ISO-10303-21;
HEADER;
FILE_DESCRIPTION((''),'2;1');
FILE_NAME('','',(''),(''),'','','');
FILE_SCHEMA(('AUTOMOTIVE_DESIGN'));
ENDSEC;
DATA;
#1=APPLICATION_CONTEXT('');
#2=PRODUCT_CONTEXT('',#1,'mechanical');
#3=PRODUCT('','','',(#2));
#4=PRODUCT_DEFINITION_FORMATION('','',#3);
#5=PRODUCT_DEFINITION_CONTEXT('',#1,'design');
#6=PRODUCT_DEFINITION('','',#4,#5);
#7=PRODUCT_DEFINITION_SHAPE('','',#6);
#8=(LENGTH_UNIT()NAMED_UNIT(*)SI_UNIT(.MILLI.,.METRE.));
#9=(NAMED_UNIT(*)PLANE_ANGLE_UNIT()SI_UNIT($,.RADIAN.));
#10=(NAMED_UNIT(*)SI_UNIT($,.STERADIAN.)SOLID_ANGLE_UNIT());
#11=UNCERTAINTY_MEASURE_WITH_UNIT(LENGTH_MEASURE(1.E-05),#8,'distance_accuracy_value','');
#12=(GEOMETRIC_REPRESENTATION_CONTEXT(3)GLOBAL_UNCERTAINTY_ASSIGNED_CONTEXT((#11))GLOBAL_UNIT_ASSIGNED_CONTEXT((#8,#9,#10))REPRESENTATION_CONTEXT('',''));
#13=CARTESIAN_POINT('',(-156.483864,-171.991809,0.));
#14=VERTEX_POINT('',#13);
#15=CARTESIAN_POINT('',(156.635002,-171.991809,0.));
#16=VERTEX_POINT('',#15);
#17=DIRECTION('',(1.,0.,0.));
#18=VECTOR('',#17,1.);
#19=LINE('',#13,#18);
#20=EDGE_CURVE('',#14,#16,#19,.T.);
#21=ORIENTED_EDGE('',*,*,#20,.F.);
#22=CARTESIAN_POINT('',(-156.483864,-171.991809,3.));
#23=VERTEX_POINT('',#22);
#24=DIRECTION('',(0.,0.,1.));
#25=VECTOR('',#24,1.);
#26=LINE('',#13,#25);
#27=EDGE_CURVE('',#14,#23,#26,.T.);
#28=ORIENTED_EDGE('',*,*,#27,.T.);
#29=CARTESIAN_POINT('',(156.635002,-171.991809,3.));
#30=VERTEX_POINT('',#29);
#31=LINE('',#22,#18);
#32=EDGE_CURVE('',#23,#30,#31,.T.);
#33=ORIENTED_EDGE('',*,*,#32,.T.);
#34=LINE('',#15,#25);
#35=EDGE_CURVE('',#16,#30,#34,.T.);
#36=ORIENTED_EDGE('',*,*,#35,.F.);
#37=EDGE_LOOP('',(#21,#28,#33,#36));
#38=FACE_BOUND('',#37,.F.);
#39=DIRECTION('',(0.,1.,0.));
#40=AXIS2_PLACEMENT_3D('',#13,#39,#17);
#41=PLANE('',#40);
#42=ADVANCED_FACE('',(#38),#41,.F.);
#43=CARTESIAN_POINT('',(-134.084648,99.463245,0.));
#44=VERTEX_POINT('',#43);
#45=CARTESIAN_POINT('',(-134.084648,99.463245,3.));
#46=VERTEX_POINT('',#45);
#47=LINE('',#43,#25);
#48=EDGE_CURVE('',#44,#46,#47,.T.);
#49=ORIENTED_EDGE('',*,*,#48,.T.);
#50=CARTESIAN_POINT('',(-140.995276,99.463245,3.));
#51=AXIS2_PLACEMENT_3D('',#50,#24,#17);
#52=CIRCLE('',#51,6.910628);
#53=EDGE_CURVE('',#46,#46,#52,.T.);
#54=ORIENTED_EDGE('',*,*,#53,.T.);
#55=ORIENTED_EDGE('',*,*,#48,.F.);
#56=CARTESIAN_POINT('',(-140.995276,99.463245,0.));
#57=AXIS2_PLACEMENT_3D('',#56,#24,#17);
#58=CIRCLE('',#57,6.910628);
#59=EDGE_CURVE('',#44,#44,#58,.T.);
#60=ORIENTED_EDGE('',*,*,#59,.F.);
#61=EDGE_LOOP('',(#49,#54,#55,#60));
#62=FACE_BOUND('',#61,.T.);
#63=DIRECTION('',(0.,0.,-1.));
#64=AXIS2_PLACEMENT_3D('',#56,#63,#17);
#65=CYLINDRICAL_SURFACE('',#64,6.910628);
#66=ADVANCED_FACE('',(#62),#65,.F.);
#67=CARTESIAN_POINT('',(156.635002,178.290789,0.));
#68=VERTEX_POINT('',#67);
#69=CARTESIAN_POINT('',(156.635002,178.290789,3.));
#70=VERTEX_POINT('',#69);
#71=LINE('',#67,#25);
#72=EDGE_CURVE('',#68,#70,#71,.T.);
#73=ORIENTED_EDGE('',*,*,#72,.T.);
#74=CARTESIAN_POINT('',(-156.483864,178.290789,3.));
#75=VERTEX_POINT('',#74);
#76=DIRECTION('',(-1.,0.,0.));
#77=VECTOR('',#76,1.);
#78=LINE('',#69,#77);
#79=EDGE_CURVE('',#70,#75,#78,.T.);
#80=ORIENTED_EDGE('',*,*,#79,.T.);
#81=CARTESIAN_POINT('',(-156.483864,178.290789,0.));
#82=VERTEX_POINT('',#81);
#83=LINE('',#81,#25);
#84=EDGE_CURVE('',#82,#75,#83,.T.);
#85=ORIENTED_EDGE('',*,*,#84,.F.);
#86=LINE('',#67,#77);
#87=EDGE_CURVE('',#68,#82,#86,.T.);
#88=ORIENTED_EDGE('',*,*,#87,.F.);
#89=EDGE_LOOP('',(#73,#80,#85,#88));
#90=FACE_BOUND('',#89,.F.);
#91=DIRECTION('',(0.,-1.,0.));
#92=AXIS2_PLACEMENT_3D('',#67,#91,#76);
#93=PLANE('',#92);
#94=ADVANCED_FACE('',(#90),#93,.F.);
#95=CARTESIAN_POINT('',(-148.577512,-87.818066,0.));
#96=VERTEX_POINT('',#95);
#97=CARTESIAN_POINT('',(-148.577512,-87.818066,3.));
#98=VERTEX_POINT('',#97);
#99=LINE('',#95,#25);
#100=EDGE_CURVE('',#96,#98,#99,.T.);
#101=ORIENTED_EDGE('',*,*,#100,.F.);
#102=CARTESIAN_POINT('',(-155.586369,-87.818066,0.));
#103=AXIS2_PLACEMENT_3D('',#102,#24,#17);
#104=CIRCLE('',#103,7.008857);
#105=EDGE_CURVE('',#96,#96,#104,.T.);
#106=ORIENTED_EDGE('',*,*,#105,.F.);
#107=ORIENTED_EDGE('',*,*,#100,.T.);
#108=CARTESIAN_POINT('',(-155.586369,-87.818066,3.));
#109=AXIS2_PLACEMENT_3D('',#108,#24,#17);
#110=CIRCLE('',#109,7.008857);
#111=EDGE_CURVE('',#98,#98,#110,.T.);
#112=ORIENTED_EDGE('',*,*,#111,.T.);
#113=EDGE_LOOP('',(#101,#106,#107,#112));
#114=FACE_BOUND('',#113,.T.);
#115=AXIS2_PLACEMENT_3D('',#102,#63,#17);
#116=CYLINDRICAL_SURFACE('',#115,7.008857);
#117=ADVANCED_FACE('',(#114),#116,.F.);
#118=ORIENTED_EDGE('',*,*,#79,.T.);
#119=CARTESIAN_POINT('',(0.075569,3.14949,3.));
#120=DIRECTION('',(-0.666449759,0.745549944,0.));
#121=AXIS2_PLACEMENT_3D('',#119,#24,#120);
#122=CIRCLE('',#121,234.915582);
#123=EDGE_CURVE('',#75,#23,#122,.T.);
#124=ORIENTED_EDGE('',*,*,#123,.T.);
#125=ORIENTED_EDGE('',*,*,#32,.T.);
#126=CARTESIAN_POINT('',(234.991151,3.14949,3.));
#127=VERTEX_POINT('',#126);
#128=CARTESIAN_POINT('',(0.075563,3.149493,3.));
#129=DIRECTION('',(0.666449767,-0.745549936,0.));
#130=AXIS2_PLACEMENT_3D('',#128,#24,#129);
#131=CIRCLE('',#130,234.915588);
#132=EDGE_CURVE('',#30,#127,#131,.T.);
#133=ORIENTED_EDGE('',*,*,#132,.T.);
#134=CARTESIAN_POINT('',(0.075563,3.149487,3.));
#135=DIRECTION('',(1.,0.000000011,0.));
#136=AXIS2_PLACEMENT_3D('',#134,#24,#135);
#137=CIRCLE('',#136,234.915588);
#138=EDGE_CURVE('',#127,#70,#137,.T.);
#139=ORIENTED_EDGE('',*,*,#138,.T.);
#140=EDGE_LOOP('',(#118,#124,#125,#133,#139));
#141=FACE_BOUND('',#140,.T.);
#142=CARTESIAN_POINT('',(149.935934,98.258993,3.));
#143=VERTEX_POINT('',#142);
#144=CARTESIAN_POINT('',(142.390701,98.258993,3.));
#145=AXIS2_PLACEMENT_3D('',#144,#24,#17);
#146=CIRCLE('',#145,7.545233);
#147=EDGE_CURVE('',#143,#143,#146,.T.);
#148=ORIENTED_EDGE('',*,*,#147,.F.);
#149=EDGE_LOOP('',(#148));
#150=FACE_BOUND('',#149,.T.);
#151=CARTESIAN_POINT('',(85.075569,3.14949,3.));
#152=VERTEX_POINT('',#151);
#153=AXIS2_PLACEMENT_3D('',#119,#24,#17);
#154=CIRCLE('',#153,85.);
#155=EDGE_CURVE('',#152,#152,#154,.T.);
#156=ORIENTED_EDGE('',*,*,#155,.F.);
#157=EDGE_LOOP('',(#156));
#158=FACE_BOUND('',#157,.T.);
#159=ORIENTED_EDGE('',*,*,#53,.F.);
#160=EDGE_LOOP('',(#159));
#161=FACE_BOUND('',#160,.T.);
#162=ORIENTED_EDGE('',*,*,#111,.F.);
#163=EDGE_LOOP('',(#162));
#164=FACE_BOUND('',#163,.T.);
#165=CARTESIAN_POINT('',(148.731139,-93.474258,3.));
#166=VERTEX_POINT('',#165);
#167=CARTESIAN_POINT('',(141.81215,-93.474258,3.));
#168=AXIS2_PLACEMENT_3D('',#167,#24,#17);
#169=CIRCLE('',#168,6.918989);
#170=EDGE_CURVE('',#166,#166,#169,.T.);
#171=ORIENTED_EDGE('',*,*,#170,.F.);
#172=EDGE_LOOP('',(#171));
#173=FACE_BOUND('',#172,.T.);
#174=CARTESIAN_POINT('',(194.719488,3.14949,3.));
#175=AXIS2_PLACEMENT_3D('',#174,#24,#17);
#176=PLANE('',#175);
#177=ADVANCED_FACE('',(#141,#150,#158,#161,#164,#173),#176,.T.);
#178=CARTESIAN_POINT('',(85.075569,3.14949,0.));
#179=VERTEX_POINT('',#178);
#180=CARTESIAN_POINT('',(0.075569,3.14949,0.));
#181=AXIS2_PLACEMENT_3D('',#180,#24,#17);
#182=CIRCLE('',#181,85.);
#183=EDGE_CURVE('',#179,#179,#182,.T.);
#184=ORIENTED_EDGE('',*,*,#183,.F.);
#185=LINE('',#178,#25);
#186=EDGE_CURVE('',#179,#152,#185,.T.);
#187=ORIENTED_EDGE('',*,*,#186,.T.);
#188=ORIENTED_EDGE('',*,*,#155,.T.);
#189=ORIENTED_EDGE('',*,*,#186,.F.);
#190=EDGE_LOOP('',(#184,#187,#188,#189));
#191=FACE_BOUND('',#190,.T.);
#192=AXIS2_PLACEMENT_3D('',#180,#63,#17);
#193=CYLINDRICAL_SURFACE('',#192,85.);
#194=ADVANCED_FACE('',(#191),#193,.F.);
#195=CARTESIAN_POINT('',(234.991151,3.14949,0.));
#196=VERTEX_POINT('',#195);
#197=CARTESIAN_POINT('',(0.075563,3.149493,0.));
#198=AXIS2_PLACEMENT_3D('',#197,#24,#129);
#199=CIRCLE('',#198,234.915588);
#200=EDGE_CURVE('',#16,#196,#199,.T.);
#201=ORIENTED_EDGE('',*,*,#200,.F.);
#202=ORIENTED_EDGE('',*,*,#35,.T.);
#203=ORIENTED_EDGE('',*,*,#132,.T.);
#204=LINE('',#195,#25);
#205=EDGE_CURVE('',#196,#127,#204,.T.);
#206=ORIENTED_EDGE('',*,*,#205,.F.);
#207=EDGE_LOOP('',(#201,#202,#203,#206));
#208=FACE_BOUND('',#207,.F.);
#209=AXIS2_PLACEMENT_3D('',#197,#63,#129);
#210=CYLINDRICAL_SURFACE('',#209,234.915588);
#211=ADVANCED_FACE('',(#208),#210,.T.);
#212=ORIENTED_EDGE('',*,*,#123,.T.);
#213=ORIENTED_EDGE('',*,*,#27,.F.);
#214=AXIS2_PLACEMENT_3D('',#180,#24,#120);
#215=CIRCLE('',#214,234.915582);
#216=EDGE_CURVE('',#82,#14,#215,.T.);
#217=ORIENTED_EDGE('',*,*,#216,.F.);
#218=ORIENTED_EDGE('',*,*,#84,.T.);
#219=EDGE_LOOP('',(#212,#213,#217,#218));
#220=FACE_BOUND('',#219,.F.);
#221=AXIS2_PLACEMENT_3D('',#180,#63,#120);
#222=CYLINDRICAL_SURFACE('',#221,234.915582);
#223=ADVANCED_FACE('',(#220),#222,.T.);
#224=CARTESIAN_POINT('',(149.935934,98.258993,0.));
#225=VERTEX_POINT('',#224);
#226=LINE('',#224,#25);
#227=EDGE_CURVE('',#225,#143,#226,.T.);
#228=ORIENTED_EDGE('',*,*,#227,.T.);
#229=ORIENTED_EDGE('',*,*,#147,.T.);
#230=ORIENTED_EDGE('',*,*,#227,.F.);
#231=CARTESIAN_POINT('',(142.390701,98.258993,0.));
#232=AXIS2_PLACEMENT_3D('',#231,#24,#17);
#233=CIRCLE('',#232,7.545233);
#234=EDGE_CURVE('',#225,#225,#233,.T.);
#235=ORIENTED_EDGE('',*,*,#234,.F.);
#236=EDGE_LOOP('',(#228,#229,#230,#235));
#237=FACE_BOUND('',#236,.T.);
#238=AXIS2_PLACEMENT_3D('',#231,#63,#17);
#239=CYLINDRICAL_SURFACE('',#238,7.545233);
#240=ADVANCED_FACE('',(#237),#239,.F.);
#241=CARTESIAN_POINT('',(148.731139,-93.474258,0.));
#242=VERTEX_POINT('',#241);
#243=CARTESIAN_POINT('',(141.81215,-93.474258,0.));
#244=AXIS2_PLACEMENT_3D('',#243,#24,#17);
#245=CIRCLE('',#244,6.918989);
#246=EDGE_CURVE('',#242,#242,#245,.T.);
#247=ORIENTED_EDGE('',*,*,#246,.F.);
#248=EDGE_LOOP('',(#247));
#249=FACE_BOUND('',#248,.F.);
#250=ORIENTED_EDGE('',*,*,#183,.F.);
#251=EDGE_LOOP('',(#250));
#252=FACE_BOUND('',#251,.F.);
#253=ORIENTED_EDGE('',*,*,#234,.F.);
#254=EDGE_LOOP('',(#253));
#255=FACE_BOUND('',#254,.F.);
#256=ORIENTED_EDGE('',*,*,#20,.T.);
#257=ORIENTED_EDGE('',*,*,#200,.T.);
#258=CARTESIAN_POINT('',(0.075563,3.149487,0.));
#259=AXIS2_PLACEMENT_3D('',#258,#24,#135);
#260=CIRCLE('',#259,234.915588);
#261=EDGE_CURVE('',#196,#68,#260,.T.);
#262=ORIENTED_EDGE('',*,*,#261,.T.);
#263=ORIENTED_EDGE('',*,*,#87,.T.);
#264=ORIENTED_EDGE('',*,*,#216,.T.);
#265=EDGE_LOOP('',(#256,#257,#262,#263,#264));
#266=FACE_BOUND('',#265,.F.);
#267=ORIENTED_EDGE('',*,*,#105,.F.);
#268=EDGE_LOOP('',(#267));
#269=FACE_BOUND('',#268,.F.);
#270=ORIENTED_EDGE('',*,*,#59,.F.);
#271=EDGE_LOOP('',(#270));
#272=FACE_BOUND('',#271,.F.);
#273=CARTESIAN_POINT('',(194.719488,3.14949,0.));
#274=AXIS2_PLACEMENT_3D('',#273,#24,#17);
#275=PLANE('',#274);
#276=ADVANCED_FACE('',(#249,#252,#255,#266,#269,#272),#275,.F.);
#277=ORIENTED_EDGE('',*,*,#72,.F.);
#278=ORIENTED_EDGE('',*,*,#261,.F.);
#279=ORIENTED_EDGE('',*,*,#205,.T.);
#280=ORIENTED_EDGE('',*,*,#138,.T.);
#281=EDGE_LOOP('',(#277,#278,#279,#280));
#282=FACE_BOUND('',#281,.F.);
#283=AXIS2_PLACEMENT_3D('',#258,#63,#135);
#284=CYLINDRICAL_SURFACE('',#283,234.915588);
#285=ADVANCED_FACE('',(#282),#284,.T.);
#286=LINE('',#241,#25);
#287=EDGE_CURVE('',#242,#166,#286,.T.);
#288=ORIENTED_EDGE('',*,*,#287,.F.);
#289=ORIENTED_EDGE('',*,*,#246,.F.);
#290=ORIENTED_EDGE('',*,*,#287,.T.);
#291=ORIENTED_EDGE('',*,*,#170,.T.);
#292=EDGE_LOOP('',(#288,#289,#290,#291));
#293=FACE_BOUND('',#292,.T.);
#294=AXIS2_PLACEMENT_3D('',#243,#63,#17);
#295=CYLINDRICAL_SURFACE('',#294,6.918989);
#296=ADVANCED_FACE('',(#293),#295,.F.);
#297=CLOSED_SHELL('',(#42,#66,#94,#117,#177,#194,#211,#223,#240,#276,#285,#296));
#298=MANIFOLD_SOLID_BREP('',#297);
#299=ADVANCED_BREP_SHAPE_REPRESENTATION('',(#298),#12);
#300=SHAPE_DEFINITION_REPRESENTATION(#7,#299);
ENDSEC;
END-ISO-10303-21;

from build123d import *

# Parameters (mm, degrees)
F1_R     = 7.008857
F1_R_2   = 6.918989
F1_R_3   = 6.910628
F1_R_4   = 85
F1_R_5   = 7.545233
F2_DEPTH = 3


with BuildPart() as f2:
    # F1 (on Top) → F2 (new body)
    with BuildSketch(Plane.XY):
        with BuildLine():
            ThreePointArc((133.07327, 178.290789), (197.066851, 100.910925), (219.991151, 3.14949))
            ThreePointArc((219.991151, 3.14949), (197.066851, -94.611945), (133.07327, -171.991809))
            Line((133.07327, -171.991809), (156.635002, -171.991809))
            ThreePointArc((156.635002, -171.991809), (214.509219, -92.785593), (234.991151, 3.14949))
            ThreePointArc((234.991151, 3.14949), (214.509219, 99.084573), (156.635002, 178.290789))
            Line((156.635002, 178.290789), (133.07327, 178.290789))
        make_face()
        with BuildLine():
            ThreePointArc((-132.922132, -171.991809), (-219.840013, 3.14949), (-132.922132, 178.290789))
            Line((-132.922132, 178.290789), (-156.483864, 178.290789))
            ThreePointArc((-156.483864, 178.290789), (-234.840013, 3.14949), (-156.483864, -171.991809))
            Line((-156.483864, -171.991809), (-132.922132, -171.991809))
        make_face()
        with BuildLine():
            ThreePointArc((133.07327, -171.991809), (197.066851, -94.611945), (219.991151, 3.14949))
            ThreePointArc((219.991151, 3.14949), (197.066851, 100.910925), (133.07327, 178.290789))
            Line((133.07327, 178.290789), (-132.922132, 178.290789))
            ThreePointArc((-132.922132, 178.290789), (-219.840013, 3.14949), (-132.922132, -171.991809))
            Line((-132.922132, -171.991809), (133.07327, -171.991809))
        make_face()
        with Locations((-155.586369, -87.818066)):
            Circle(F1_R, mode=Mode.SUBTRACT)
        with Locations((141.81215, -93.474258)):
            Circle(F1_R_2, mode=Mode.SUBTRACT)
        with Locations((-140.995276, 99.463245)):
            Circle(F1_R_3, mode=Mode.SUBTRACT)
        with Locations((0.075569, 3.14949)):
            Circle(F1_R_4, mode=Mode.SUBTRACT)
        with Locations((142.390701, 98.258993)):
            Circle(F1_R_5, mode=Mode.SUBTRACT)
    extrude(amount=F2_DEPTH)


solid = f2.part
